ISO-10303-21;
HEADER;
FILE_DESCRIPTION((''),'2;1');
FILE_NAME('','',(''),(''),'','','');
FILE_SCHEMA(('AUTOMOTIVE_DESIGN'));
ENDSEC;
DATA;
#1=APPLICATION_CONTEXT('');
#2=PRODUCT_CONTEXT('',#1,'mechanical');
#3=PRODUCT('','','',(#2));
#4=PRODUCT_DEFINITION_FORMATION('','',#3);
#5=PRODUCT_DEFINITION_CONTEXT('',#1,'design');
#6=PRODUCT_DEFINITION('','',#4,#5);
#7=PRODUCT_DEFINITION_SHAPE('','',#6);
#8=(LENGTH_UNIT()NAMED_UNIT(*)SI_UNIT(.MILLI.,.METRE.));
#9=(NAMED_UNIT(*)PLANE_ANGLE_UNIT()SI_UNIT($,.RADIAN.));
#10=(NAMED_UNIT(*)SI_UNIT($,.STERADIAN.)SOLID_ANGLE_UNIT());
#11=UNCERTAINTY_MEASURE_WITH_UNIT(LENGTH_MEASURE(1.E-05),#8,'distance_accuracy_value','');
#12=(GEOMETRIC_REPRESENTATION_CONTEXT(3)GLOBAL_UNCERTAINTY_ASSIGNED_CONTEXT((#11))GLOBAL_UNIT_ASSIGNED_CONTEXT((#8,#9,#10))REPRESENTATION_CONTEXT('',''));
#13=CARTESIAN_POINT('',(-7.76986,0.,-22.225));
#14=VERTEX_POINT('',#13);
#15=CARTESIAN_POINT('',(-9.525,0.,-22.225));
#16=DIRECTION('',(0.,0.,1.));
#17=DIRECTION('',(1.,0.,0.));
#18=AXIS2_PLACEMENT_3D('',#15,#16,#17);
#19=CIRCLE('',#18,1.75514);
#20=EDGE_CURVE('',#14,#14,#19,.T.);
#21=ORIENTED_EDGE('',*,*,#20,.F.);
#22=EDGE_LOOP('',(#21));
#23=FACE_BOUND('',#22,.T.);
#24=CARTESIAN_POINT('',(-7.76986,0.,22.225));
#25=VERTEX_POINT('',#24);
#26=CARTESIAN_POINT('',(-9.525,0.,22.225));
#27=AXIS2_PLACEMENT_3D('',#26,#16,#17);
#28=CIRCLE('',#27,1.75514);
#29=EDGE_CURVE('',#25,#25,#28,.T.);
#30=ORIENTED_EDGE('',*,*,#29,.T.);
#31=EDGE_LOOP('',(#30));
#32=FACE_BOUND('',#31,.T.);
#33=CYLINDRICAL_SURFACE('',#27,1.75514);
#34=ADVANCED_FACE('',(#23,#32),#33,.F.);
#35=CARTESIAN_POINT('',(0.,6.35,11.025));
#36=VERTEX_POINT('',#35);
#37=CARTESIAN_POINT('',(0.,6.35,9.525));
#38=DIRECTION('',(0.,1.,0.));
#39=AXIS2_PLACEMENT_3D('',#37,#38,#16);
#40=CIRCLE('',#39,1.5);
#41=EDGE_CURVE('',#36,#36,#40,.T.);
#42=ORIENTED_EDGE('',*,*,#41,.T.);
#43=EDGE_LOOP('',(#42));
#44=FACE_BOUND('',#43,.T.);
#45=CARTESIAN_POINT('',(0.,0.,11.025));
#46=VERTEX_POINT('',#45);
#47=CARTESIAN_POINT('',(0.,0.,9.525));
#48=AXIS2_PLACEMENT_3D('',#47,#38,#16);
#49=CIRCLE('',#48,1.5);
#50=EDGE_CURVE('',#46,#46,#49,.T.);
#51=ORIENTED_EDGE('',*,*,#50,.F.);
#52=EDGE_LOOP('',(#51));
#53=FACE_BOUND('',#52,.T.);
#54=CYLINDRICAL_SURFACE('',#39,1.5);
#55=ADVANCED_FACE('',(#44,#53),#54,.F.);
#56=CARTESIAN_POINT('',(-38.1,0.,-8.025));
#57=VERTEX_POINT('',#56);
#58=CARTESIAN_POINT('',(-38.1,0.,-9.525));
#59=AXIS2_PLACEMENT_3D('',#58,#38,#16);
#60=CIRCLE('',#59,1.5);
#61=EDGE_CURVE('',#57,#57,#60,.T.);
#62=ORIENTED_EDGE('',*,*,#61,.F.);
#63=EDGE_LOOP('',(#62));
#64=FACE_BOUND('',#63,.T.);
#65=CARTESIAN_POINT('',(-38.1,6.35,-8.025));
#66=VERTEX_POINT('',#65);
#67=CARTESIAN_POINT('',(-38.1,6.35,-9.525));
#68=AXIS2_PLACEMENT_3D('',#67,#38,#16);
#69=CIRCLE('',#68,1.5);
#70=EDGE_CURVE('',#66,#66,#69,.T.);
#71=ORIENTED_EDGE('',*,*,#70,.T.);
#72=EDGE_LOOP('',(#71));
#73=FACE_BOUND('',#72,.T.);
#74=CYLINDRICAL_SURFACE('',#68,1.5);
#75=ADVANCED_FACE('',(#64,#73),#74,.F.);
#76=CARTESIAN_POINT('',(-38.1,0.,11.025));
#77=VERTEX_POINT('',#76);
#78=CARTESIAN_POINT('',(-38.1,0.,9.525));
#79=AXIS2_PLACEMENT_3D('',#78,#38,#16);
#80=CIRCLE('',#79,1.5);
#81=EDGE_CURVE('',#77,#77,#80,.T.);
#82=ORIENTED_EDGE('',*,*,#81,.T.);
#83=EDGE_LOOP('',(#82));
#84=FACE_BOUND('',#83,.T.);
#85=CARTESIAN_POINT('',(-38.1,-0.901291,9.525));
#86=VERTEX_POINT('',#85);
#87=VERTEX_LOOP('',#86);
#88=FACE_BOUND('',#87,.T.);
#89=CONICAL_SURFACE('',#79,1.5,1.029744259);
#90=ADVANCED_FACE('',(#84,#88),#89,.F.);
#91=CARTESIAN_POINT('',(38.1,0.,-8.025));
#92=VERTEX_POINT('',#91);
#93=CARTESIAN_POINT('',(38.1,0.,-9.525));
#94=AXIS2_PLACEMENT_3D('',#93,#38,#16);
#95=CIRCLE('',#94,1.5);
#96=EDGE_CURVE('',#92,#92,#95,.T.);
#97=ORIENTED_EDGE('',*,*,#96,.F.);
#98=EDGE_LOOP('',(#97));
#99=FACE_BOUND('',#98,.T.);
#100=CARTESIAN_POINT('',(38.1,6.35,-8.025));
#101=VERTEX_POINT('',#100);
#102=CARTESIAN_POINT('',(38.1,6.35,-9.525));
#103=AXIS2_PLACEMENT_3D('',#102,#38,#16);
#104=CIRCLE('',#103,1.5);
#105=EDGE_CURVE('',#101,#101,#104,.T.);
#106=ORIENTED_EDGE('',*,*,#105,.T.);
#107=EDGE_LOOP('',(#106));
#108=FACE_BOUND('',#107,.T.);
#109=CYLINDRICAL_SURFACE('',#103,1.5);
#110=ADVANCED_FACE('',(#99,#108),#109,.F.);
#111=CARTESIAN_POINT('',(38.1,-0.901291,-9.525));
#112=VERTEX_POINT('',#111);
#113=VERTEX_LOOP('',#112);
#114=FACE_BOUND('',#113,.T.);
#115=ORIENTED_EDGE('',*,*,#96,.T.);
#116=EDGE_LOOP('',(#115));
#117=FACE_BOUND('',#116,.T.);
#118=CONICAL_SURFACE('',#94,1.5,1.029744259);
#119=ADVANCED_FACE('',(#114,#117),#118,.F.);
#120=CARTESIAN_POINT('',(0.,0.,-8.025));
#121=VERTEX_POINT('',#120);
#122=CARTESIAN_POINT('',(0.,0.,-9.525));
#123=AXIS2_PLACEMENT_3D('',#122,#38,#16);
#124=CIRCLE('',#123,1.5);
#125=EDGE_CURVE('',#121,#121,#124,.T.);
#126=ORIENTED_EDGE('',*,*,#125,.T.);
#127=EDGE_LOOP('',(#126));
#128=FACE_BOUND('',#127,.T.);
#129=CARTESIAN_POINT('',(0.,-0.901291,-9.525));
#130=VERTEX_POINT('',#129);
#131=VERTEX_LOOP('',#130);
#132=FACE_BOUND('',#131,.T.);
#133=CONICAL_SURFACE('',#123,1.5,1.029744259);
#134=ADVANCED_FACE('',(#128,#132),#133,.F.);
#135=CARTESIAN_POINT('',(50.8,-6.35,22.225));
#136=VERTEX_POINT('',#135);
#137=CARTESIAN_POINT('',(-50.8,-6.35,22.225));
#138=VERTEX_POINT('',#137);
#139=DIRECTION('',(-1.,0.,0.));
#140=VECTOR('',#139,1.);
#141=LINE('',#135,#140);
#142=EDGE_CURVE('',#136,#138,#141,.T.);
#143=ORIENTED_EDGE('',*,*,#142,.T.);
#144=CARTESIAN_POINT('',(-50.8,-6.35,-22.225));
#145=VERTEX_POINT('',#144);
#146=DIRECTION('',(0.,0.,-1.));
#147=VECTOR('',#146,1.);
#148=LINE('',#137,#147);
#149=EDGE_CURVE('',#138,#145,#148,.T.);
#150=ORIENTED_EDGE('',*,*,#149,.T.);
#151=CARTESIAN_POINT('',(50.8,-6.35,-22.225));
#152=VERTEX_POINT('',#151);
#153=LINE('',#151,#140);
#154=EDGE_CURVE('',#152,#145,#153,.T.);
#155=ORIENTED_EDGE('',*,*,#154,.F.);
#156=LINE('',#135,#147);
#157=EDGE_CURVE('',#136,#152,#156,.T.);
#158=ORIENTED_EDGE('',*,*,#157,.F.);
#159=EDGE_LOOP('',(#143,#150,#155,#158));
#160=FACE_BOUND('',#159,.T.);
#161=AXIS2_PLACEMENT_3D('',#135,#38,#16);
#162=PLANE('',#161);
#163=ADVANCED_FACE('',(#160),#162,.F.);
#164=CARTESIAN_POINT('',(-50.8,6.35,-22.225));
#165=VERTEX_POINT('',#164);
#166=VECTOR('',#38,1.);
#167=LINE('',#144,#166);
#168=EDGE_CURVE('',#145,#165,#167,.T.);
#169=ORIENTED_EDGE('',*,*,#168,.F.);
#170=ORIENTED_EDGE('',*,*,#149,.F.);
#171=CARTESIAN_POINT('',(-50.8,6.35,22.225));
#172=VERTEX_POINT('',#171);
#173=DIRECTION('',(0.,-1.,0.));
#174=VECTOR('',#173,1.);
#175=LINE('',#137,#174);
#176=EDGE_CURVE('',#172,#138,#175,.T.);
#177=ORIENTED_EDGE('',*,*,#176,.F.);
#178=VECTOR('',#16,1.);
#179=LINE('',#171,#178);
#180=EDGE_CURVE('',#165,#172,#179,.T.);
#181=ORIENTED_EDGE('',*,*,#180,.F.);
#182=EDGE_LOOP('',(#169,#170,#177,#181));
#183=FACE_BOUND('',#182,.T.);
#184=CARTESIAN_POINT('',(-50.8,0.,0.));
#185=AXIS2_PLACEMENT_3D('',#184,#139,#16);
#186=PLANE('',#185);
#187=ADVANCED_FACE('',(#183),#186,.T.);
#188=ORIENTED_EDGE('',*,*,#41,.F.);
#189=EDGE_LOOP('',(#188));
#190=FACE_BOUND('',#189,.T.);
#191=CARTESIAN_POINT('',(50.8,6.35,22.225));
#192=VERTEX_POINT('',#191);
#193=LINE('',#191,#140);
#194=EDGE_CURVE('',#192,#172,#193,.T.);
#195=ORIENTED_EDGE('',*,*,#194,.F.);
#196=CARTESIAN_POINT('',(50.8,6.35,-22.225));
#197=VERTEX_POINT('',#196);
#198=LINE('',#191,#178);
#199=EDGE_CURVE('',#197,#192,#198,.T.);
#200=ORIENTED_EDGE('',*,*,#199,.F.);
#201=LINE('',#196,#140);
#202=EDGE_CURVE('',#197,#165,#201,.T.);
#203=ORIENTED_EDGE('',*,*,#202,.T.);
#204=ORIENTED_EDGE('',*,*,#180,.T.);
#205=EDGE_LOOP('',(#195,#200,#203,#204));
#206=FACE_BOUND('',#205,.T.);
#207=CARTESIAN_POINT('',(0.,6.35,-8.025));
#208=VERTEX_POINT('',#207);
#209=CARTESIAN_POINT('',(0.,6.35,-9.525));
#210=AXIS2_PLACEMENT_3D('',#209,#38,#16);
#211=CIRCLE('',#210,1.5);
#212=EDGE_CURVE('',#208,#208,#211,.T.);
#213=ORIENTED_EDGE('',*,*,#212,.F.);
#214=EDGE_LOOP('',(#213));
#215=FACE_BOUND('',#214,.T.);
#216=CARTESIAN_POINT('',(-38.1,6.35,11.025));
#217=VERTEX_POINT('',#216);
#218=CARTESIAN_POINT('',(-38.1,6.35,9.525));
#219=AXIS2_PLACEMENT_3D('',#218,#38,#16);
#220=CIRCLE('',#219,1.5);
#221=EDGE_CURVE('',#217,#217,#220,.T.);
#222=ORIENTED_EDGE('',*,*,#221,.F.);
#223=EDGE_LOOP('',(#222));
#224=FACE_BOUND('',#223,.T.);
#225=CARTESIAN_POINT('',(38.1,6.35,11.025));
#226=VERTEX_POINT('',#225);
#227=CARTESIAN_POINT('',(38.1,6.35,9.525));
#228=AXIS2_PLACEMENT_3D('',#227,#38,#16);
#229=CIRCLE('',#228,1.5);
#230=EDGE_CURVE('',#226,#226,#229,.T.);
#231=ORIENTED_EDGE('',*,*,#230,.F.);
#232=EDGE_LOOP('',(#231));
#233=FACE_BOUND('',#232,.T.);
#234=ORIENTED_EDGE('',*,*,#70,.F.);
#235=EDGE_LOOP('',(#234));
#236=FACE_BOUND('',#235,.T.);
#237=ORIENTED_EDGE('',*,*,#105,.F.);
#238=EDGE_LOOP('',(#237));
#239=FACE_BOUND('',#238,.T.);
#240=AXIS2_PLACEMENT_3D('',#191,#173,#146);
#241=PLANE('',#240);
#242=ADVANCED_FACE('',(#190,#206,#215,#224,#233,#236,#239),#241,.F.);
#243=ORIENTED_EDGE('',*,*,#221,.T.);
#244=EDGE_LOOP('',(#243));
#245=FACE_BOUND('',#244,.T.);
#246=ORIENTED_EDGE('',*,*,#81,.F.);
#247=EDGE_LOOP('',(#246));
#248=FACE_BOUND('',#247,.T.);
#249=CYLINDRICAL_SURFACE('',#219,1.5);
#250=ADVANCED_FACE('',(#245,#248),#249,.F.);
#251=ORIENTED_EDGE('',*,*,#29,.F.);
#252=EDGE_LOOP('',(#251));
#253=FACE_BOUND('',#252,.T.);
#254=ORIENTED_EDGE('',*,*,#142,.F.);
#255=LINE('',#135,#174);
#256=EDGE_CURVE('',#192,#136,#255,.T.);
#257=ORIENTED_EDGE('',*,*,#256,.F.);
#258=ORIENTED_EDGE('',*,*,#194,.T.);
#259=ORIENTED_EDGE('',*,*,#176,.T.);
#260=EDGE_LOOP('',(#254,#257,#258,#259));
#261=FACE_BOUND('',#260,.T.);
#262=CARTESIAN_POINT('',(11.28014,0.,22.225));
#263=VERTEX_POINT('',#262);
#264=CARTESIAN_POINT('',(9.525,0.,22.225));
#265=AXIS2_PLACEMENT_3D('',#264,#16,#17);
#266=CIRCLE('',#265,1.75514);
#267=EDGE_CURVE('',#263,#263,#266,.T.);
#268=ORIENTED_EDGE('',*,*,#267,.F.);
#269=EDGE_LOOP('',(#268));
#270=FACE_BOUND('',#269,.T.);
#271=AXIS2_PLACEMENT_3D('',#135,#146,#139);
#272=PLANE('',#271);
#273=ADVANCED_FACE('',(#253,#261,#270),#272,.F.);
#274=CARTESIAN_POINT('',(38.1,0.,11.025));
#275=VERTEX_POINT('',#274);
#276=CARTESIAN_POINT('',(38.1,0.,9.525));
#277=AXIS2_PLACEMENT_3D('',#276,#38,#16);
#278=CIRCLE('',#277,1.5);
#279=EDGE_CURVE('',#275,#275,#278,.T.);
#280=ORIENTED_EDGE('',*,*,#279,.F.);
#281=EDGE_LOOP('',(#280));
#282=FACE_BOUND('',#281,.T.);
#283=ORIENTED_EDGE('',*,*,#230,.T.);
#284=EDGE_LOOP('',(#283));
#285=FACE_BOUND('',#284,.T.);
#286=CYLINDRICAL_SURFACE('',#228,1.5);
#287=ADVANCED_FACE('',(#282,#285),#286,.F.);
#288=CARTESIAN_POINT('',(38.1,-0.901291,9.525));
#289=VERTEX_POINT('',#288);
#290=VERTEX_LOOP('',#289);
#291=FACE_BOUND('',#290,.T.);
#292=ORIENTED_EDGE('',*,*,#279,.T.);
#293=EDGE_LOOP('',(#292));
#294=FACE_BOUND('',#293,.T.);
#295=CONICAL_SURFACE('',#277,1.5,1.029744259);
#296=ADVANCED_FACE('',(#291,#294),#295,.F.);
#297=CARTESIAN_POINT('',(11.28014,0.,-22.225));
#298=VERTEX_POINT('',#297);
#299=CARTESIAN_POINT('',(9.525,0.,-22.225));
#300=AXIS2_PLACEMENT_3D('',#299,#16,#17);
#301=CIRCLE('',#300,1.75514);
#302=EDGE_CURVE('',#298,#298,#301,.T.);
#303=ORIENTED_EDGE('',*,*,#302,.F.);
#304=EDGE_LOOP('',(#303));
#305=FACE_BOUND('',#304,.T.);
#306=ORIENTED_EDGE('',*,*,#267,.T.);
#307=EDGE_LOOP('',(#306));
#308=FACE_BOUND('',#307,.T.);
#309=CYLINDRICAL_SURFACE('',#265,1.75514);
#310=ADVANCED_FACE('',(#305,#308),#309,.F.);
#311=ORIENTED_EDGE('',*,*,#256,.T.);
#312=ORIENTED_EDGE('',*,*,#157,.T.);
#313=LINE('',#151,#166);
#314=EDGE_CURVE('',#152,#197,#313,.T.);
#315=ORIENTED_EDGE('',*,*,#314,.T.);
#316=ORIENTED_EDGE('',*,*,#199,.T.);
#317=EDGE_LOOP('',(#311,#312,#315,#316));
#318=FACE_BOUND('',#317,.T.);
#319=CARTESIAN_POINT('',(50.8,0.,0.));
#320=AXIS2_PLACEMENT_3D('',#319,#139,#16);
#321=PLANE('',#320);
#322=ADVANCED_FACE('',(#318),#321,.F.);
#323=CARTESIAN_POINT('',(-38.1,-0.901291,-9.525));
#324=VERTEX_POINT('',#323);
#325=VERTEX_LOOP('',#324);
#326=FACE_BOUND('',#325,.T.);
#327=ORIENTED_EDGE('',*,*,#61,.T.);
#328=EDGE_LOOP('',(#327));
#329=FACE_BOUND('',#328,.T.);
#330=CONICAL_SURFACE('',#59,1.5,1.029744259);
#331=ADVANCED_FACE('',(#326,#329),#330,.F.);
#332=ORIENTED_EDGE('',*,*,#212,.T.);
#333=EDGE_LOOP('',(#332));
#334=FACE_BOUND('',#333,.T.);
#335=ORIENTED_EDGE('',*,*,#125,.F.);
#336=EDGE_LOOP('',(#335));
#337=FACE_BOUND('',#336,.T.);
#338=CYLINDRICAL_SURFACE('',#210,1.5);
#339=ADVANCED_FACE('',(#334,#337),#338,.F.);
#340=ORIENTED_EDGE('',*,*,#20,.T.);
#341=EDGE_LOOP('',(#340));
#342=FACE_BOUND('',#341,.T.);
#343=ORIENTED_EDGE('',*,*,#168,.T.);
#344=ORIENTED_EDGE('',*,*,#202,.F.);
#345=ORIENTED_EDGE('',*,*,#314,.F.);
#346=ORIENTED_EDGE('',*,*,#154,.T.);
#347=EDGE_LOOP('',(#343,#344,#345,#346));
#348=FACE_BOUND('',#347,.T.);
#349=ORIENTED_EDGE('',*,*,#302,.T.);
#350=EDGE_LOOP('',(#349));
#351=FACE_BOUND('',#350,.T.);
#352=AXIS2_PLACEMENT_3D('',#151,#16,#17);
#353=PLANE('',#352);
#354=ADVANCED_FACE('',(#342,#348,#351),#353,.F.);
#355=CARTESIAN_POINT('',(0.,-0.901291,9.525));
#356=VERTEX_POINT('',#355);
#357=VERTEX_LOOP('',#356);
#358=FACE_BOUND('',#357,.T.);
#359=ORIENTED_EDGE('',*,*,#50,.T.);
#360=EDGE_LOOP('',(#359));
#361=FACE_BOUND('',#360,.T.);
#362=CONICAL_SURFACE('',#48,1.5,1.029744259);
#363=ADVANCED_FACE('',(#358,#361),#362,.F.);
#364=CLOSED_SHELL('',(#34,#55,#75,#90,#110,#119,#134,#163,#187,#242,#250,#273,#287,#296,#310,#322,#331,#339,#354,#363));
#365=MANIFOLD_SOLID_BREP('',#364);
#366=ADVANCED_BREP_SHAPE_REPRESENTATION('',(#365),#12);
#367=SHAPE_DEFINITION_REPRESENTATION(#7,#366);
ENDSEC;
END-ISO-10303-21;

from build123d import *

# Parameters (mm, degrees)
SKETCH1_W                 = 44.45
SKETCH1_H                 = 12.7
BOSS_EXTRUDE1_DEPTH       = 50.8
M3_10_THREADED_HOLE_D     = 3
M3_10_THREADED_HOLE_DEPTH = 6.35
M3_10_THREADED_HOLE_TIP   = 0.901290929
F_6_32_THREADED_HOLE_D    = 3.51028


with BuildPart() as part:
    # Sketch1 → Boss-Extrude1 (new, symmetric)
    with BuildSketch(Plane(origin=(0, 0, 0), x_dir=(0, 0, -1), z_dir=(1, 0, 0))):
        Rectangle(SKETCH1_W, SKETCH1_H)
    extrude(amount=BOSS_EXTRUDE1_DEPTH, both=True)

    # M3-10 Threaded Hole
    with Locations(Plane(origin=(0, 6.35, 0), x_dir=(1, 0, 0), z_dir=(0, 1, 0))):
        with Locations((-38.1, -9.525), (0, -9.525), (38.1, -9.525), (-38.1, 9.525), (0, 9.525), (38.1, 9.525)):
            Hole(M3_10_THREADED_HOLE_D / 2, depth=M3_10_THREADED_HOLE_DEPTH)
            with Locations((0, 0, -(M3_10_THREADED_HOLE_DEPTH + M3_10_THREADED_HOLE_TIP / 2))):  # 118° drill point
                Cone(0, M3_10_THREADED_HOLE_D / 2, M3_10_THREADED_HOLE_TIP, mode=Mode.SUBTRACT)

    # #6-32 Threaded Hole (through all)
    with Locations(Plane.XY.offset(22.225)):
        with Locations((-9.525, 0), (9.525, 0)):
            Hole(F_6_32_THREADED_HOLE_D / 2)


solid = part.part
